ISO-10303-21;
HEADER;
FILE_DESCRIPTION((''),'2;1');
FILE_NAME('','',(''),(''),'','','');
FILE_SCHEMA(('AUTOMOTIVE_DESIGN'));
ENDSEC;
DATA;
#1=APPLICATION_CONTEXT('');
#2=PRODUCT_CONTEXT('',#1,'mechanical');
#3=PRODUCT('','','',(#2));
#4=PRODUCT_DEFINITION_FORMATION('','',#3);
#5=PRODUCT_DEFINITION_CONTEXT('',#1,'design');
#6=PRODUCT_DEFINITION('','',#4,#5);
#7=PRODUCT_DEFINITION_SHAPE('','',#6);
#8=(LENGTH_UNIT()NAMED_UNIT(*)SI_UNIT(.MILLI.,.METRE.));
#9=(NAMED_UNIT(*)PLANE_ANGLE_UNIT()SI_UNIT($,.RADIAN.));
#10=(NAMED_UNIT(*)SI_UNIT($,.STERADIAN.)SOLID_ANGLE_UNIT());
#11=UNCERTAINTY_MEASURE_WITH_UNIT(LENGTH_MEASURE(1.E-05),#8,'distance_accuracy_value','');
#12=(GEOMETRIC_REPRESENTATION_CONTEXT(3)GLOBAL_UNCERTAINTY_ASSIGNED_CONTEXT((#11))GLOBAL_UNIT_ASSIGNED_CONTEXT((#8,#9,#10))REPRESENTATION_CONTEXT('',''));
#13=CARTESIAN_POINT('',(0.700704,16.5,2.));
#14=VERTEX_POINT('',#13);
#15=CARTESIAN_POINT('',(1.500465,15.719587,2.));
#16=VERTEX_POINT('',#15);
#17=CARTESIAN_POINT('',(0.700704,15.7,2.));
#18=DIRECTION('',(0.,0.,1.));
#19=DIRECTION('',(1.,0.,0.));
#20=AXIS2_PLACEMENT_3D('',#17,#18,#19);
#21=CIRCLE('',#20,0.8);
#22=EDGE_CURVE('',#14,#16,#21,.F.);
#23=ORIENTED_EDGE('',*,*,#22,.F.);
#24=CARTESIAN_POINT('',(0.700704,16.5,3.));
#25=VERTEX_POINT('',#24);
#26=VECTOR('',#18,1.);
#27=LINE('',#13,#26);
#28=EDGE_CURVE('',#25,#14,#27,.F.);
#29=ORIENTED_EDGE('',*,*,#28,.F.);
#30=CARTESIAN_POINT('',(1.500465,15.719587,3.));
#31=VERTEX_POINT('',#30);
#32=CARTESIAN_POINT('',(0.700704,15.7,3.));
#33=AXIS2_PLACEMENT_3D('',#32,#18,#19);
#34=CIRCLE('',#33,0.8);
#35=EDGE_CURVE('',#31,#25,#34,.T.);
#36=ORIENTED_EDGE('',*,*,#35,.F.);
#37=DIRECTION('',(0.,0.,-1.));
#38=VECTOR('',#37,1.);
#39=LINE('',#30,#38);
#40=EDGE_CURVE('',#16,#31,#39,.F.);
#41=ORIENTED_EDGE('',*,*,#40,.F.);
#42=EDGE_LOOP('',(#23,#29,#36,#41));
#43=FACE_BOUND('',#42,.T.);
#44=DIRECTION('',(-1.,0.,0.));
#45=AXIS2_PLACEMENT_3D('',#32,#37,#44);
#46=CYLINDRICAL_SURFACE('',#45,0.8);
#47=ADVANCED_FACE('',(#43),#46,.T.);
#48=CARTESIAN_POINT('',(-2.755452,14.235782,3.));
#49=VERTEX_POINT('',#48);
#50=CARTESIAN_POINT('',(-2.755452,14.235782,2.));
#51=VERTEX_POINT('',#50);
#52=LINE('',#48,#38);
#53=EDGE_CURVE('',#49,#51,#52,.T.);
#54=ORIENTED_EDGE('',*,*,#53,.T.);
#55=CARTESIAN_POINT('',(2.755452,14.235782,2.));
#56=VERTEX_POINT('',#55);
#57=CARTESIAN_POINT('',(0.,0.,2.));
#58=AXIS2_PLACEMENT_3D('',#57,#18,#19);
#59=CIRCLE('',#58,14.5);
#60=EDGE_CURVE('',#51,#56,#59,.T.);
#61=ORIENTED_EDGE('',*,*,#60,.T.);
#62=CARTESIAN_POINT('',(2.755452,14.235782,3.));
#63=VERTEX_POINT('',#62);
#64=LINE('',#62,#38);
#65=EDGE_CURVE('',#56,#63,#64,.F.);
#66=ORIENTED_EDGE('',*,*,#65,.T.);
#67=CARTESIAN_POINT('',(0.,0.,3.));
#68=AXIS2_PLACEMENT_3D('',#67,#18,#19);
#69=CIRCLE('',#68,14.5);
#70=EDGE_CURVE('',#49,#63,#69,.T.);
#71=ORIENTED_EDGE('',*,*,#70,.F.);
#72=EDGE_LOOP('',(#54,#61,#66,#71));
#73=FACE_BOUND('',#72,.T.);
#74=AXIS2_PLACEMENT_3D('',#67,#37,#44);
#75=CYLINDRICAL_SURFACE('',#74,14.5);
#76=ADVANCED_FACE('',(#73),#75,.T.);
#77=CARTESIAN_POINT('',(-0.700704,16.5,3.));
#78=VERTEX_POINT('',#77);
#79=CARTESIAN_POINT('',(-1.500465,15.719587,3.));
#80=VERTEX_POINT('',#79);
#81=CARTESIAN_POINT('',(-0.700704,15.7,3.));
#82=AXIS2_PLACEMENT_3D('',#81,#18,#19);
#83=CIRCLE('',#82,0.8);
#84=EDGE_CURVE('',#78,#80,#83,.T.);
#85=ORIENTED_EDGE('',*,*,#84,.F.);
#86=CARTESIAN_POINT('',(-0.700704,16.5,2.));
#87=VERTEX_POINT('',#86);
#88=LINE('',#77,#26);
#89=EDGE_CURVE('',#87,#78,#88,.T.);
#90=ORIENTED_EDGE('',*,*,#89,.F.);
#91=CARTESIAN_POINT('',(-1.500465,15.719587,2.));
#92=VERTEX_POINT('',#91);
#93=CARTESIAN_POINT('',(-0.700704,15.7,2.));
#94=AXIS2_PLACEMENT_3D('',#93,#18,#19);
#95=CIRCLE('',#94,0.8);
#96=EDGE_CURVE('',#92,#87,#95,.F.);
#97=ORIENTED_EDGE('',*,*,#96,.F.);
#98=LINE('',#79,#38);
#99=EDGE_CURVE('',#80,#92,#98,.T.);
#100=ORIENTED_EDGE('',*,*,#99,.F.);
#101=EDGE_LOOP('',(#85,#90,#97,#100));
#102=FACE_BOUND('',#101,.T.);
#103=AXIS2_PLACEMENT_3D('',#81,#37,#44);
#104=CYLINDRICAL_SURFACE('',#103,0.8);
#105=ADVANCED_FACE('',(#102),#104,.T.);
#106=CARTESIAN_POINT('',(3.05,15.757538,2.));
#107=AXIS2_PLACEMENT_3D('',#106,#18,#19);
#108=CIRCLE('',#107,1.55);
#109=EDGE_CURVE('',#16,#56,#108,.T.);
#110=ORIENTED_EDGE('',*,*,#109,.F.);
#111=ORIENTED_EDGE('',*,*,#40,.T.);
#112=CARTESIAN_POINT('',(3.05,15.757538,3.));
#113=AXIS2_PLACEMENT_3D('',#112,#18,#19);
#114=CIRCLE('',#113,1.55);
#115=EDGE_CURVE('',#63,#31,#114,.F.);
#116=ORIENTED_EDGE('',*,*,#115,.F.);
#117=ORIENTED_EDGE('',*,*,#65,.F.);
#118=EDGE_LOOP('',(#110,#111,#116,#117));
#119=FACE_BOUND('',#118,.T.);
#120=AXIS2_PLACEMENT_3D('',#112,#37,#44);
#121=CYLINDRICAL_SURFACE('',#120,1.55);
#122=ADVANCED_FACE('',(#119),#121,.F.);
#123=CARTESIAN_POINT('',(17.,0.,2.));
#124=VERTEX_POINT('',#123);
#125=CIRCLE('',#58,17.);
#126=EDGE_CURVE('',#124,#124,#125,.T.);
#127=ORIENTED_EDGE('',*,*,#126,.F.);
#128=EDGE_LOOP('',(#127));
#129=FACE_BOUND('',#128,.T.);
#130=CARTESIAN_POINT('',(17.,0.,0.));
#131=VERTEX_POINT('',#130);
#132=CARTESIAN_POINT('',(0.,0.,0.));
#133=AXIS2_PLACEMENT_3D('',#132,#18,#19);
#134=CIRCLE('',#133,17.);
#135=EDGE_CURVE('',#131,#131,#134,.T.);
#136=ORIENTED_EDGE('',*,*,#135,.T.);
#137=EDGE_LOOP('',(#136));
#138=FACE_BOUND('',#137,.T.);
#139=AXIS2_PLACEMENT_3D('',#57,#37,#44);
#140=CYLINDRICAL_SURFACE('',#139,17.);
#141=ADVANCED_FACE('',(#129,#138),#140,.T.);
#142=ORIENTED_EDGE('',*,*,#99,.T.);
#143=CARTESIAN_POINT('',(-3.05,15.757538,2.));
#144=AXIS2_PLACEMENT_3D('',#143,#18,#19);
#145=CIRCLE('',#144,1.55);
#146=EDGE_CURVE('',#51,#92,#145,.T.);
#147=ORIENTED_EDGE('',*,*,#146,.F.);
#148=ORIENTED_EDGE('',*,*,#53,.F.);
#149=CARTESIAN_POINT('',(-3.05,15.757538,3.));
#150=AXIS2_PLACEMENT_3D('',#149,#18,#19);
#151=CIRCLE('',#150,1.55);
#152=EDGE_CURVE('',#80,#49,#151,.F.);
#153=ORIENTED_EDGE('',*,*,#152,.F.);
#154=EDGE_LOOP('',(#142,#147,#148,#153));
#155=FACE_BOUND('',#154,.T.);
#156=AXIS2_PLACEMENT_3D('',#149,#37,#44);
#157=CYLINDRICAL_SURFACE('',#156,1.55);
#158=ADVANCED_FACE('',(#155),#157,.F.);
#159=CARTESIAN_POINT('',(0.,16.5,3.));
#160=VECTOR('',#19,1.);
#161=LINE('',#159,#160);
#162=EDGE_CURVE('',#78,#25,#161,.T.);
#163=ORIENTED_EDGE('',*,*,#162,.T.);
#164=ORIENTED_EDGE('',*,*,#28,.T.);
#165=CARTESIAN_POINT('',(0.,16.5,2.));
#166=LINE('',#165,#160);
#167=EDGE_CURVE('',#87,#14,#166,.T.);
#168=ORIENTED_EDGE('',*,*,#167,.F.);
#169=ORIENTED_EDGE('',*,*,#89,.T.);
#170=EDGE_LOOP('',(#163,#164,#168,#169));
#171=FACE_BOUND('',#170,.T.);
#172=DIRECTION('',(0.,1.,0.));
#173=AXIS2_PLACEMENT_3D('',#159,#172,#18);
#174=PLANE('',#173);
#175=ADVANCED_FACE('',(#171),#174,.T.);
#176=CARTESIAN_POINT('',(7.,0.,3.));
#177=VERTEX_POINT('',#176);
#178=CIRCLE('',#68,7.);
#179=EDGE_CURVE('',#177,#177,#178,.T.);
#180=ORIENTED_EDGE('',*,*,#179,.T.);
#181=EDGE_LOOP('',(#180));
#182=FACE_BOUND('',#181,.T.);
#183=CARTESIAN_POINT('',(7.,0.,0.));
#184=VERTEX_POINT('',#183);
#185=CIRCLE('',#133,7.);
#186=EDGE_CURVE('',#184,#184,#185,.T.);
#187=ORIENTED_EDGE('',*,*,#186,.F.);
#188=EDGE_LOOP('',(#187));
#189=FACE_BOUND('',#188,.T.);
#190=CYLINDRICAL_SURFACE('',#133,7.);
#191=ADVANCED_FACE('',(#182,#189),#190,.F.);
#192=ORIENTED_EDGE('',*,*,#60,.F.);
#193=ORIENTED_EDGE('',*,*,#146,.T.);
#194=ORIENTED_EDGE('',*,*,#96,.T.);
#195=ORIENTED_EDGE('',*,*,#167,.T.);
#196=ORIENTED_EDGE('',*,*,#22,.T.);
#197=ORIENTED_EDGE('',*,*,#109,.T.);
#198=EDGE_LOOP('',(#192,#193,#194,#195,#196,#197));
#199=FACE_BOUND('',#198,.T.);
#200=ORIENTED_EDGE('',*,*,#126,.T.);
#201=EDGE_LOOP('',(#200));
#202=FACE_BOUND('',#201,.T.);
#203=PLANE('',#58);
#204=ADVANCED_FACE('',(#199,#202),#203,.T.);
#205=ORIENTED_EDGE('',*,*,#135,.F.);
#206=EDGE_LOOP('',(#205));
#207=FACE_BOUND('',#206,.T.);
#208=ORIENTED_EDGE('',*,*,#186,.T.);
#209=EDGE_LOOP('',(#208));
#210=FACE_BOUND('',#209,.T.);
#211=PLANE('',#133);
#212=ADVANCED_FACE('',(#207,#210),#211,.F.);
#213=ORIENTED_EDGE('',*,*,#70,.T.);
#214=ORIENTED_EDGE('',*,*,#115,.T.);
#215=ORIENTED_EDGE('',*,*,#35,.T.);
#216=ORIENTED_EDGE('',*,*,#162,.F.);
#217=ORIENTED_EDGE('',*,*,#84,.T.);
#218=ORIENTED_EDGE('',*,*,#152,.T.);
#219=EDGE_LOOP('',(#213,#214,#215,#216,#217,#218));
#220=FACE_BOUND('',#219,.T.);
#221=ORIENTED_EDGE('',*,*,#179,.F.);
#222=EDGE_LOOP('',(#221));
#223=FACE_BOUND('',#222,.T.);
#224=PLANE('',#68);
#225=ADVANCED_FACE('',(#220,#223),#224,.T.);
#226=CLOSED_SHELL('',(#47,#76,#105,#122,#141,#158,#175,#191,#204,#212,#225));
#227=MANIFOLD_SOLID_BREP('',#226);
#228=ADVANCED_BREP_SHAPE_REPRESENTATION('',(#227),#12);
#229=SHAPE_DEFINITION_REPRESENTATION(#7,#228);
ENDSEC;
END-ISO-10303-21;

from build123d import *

# Parameters (mm, degrees)
SKETCH_1_R          = 17
EXTRUDE_1_DEPTH     = 2
EXTRUDE_2_DEPTH     = 1
FILLET_1_R          = 1.55
FILLET_2_R          = 0.8
SKETCH_3_R          = 7
CUT_EXTRUDE_1_DEPTH = 25.22808302


with BuildPart() as part:
    # ｽｹｯﾁ1 → ﾎﾞｽ - 押し出し1 (new body)
    with BuildSketch(Plane.XY):
        Circle(SKETCH_1_R)
    extrude(amount=EXTRUDE_1_DEPTH)

    # ｽｹｯﾁ2 → ﾎﾞｽ - 押し出し2 (add)
    with BuildSketch(Plane.XY.offset(2)):
        with BuildLine():
            Line((-1.5, 14.422205102), (-1.5, 12.5))
            Line((-1.5, 12.5), (1.5, 12.5))
            Line((1.5, 12.5), (1.5, 14.422205102))
            ThreePointArc((1.5, 14.422205102), (0, 14.5), (-1.5, 14.422205102))
        make_face()
        with BuildLine():
            Line((1.5, 12.5), (-1.5, 12.5))
            Line((-1.5, 12.5), (-1.5, 14.422205102))
            ThreePointArc((-1.5, 14.422205102), (-9.708243919, -10.770329614), (14.5, 0))
            ThreePointArc((14.5, 0), (10.770329614, 9.708243919), (1.5, 14.422205102))
            Line((1.5, 14.422205102), (1.5, 12.5))
        make_face()
        with BuildLine():
            Line((-1.5, 16.5), (-1.5, 14.422205102))
            ThreePointArc((-1.5, 14.422205102), (0, 14.5), (1.5, 14.422205102))
            Line((1.5, 14.422205102), (1.5, 16.5))
            Line((1.5, 16.5), (-1.5, 16.5))
        make_face()
    extrude(amount=EXTRUDE_2_DEPTH)

    # ﾌｨﾚｯﾄ1
    fillet_1_edges = [part.edges().sort_by_distance(p)[0] for p in [
        (-1.5, 14.422205102, 2.5),
        (1.5, 14.422205102, 2.5),
    ]]
    fillet(fillet_1_edges, radius=FILLET_1_R)

    # ﾌｨﾚｯﾄ2
    fillet_2_edges = [part.edges().sort_by_distance(p)[0] for p in [
        (1.5, 16.5, 2.5),
        (-1.5, 16.5, 2.5),
    ]]
    fillet(fillet_2_edges, radius=FILLET_2_R)

    # ｽｹｯﾁ3 → ｶｯﾄ - 押し出し1 (cut, through all)
    with BuildSketch(Plane.XY.offset(3)):
        Circle(SKETCH_3_R)
    extrude(amount=-CUT_EXTRUDE_1_DEPTH, mode=Mode.SUBTRACT)


solid = part.part
